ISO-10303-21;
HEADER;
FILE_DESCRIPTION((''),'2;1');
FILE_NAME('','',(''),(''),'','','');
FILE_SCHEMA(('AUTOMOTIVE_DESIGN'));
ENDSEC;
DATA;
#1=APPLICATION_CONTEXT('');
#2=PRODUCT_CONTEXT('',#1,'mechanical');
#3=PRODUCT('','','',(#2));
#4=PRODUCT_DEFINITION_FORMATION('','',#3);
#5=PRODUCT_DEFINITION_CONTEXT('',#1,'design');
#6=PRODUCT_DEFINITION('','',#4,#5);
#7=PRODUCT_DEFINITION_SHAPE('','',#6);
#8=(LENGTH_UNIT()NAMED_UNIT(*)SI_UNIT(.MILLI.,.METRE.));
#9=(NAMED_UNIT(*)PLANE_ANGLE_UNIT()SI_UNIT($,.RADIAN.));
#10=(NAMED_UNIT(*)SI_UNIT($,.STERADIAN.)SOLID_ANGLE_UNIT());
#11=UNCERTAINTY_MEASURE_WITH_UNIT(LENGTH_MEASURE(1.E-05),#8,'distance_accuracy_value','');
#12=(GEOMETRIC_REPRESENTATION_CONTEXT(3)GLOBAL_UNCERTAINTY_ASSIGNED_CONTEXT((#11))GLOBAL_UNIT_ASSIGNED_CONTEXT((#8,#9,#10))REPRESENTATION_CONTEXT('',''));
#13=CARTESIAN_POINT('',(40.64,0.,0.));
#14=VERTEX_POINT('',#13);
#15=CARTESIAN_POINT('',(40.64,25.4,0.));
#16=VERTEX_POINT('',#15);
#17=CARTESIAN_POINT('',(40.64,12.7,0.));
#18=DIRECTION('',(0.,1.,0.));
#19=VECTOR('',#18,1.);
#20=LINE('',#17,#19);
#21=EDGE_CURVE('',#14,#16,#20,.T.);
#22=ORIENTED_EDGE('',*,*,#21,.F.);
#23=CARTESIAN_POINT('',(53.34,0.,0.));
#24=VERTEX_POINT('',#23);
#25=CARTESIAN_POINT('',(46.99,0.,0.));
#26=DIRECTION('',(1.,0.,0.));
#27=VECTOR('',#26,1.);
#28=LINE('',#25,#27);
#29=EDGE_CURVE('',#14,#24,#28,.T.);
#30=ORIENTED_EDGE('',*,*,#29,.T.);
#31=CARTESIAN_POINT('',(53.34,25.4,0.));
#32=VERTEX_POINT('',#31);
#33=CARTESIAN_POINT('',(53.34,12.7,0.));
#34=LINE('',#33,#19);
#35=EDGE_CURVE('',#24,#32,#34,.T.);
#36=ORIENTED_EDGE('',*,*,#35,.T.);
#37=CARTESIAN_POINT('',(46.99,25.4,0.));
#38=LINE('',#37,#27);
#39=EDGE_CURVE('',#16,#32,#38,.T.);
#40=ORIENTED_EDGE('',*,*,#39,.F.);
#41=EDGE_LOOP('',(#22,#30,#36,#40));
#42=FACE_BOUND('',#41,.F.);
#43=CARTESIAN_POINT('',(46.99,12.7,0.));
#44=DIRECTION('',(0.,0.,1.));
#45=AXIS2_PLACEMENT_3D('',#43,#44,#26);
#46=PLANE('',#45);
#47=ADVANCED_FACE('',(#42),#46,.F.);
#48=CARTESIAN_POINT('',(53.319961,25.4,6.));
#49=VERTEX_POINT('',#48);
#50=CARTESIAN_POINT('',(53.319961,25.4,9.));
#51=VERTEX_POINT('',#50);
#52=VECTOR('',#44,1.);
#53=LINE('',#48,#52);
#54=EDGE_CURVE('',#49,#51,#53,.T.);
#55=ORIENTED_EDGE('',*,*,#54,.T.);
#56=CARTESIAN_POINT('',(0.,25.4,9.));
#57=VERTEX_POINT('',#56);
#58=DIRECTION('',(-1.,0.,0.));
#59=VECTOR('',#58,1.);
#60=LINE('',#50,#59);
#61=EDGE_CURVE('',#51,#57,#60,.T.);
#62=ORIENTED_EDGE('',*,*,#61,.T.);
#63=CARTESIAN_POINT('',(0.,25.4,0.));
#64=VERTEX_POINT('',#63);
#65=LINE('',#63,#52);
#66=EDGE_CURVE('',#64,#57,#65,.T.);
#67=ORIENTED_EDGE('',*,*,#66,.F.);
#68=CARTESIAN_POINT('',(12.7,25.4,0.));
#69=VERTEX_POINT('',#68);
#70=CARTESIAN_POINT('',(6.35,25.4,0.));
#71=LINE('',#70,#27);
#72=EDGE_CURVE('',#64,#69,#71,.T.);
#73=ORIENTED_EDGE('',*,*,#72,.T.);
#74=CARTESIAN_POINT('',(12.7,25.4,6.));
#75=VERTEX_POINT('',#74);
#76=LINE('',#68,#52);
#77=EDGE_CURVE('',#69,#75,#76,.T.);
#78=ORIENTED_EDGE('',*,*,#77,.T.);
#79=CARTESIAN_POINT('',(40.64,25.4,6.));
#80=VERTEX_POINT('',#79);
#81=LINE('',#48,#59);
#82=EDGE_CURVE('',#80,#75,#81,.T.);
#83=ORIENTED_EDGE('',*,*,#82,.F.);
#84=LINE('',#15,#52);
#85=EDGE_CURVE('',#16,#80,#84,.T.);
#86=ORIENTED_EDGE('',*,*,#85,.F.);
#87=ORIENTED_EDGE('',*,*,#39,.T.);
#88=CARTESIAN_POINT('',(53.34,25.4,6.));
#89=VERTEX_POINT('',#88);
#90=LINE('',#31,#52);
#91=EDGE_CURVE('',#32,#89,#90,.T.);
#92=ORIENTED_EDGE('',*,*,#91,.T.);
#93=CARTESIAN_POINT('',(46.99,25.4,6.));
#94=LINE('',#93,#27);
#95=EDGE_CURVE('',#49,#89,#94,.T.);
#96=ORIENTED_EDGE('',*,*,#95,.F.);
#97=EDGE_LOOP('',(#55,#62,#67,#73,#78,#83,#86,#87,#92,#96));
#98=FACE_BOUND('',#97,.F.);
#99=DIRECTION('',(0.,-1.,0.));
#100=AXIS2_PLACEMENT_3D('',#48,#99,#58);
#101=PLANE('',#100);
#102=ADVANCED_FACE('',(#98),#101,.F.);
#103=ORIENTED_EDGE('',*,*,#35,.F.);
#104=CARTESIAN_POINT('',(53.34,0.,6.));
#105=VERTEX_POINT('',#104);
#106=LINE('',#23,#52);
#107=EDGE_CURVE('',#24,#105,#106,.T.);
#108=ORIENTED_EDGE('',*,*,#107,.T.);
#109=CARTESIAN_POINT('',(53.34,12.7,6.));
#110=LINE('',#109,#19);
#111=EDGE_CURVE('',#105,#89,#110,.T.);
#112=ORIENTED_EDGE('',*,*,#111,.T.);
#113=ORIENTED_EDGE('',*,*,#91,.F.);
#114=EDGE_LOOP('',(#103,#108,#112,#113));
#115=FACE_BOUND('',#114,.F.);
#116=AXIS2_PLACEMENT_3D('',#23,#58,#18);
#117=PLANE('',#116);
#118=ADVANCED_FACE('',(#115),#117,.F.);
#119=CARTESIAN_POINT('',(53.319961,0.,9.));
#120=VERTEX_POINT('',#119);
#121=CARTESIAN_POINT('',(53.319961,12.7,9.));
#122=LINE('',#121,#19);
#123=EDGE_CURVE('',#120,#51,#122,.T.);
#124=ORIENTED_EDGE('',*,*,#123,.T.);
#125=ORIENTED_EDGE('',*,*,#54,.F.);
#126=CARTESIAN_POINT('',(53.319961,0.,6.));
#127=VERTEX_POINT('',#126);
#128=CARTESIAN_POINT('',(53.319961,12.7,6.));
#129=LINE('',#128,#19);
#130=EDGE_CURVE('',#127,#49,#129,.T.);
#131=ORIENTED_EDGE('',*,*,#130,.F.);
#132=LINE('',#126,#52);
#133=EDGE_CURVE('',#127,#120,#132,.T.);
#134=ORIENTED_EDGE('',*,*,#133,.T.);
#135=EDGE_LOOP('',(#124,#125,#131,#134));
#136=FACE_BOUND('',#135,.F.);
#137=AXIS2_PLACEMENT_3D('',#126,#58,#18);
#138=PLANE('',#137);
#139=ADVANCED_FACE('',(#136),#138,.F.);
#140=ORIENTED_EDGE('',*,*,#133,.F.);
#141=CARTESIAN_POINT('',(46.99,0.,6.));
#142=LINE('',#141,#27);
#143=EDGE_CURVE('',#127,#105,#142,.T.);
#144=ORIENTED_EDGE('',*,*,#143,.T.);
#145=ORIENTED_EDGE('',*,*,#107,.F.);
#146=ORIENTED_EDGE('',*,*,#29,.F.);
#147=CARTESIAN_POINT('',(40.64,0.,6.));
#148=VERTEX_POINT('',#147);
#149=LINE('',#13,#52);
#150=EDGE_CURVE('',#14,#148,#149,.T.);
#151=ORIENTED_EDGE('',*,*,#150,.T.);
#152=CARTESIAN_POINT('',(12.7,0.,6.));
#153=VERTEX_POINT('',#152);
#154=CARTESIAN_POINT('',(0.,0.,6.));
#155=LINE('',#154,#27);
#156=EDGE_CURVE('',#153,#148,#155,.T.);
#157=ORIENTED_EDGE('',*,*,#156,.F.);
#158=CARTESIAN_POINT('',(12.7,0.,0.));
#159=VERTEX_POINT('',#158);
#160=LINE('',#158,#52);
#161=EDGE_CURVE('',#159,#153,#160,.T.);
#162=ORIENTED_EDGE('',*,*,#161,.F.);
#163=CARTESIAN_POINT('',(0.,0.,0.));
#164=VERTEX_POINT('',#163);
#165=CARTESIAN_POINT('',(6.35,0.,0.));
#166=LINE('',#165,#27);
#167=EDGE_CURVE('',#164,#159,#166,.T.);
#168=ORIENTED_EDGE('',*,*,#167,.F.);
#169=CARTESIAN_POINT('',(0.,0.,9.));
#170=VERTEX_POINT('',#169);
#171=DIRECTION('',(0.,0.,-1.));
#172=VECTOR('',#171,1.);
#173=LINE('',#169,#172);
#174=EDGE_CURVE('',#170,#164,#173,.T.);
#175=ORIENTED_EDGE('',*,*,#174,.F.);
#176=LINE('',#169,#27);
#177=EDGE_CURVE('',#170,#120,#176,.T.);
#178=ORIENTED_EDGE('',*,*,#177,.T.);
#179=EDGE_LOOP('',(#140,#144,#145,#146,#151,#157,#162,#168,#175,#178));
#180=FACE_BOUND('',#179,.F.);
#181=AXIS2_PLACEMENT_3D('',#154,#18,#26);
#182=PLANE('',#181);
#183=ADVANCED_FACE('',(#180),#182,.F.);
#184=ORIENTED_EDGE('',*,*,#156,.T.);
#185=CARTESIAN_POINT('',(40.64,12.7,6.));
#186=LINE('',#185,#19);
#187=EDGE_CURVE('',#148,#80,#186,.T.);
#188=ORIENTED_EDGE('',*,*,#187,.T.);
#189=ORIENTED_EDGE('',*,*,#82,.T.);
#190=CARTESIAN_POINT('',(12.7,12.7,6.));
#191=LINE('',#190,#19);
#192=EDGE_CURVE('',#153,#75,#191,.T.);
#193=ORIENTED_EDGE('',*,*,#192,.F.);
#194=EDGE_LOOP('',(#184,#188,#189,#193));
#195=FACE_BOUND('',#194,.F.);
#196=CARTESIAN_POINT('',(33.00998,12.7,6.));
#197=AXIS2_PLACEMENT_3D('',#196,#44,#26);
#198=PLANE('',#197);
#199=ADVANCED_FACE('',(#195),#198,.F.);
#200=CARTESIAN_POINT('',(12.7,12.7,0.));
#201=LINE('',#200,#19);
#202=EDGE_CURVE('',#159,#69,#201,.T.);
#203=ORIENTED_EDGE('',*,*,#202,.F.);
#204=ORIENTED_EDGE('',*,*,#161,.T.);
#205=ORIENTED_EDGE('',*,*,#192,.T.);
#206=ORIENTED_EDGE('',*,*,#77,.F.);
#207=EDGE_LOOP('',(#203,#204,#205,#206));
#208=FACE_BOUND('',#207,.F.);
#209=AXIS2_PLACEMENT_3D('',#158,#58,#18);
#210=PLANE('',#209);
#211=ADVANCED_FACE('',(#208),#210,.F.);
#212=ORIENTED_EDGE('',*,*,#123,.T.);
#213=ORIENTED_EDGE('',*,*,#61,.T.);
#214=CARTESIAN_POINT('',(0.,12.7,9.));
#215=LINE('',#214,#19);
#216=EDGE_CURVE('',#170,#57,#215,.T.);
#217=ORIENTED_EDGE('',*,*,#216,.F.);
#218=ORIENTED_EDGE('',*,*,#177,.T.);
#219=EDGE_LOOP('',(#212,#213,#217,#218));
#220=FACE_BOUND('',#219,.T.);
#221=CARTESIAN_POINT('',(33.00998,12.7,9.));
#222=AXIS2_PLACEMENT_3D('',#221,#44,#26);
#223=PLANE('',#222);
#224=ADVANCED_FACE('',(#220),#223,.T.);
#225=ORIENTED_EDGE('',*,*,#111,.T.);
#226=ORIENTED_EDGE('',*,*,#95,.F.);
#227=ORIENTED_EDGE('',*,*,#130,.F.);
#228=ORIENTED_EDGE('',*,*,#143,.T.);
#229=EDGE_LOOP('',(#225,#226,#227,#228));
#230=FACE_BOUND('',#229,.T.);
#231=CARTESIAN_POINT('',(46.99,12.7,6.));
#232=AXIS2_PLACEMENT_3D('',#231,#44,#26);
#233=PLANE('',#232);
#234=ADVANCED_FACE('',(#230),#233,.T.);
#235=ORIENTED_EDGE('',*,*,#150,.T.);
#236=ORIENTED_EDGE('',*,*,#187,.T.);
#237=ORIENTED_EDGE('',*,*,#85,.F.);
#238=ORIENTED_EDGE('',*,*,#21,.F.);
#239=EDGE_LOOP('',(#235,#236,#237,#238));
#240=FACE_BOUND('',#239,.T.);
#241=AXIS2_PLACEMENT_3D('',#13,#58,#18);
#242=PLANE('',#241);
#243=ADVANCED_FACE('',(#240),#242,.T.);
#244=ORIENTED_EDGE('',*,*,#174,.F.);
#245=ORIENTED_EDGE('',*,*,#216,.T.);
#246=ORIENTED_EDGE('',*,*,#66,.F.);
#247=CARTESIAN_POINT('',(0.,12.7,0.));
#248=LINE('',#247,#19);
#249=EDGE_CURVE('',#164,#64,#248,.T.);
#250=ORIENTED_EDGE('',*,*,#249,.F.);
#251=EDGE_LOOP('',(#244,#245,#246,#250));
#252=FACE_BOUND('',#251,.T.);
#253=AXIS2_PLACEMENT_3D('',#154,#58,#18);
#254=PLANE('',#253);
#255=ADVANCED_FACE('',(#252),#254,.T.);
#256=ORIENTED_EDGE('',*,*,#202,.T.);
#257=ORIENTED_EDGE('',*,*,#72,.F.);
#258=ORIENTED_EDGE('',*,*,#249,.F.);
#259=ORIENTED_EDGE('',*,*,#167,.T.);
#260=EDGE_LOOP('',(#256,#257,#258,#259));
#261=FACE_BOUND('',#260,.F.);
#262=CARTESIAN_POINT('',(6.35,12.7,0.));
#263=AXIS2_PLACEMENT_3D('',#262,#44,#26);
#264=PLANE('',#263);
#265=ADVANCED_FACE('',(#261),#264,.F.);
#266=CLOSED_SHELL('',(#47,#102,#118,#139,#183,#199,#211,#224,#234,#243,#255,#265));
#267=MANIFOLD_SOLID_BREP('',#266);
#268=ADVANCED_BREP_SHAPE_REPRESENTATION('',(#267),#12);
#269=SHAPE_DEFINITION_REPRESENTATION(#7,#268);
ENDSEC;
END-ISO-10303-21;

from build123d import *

# Parameters (mm, degrees)
F0_W     = 12.7
F0_H     = 25.4
F1_DEPTH = 6
F2_W     = 40.6199608326
F2_H     = 25.4
F2_W_2   = 12.7
F3_DEPTH = 3


with BuildPart() as f1:
    # F0 (on Top) → F1 (new body)
    with BuildSketch(Plane.XY):
        with Locations((6.35, 12.7)):
            Rectangle(F0_W, F0_H)
    extrude(amount=F1_DEPTH)



with BuildPart() as f1b:
    # F0 (on Top) → F1, piece 2 (new body)
    with BuildSketch(Plane.XY):
        with Locations((46.99, 12.7)):
            Rectangle(F0_W, F0_H)
    extrude(amount=F1_DEPTH)


with BuildPart() as f1_1:
    add(f1.part)

    add(f1b.part)  # F3 merges F1b
    # F2 (on face) → F3 (join)
    with BuildSketch(Plane.XY.offset(6)):
        with Locations((33.0099804163, 12.7)):
            Rectangle(F2_W, F2_H)
        with Locations((6.35, 12.7)):
            Rectangle(F2_W_2, F2_H)
    extrude(amount=F3_DEPTH)


solid = f1_1.part
